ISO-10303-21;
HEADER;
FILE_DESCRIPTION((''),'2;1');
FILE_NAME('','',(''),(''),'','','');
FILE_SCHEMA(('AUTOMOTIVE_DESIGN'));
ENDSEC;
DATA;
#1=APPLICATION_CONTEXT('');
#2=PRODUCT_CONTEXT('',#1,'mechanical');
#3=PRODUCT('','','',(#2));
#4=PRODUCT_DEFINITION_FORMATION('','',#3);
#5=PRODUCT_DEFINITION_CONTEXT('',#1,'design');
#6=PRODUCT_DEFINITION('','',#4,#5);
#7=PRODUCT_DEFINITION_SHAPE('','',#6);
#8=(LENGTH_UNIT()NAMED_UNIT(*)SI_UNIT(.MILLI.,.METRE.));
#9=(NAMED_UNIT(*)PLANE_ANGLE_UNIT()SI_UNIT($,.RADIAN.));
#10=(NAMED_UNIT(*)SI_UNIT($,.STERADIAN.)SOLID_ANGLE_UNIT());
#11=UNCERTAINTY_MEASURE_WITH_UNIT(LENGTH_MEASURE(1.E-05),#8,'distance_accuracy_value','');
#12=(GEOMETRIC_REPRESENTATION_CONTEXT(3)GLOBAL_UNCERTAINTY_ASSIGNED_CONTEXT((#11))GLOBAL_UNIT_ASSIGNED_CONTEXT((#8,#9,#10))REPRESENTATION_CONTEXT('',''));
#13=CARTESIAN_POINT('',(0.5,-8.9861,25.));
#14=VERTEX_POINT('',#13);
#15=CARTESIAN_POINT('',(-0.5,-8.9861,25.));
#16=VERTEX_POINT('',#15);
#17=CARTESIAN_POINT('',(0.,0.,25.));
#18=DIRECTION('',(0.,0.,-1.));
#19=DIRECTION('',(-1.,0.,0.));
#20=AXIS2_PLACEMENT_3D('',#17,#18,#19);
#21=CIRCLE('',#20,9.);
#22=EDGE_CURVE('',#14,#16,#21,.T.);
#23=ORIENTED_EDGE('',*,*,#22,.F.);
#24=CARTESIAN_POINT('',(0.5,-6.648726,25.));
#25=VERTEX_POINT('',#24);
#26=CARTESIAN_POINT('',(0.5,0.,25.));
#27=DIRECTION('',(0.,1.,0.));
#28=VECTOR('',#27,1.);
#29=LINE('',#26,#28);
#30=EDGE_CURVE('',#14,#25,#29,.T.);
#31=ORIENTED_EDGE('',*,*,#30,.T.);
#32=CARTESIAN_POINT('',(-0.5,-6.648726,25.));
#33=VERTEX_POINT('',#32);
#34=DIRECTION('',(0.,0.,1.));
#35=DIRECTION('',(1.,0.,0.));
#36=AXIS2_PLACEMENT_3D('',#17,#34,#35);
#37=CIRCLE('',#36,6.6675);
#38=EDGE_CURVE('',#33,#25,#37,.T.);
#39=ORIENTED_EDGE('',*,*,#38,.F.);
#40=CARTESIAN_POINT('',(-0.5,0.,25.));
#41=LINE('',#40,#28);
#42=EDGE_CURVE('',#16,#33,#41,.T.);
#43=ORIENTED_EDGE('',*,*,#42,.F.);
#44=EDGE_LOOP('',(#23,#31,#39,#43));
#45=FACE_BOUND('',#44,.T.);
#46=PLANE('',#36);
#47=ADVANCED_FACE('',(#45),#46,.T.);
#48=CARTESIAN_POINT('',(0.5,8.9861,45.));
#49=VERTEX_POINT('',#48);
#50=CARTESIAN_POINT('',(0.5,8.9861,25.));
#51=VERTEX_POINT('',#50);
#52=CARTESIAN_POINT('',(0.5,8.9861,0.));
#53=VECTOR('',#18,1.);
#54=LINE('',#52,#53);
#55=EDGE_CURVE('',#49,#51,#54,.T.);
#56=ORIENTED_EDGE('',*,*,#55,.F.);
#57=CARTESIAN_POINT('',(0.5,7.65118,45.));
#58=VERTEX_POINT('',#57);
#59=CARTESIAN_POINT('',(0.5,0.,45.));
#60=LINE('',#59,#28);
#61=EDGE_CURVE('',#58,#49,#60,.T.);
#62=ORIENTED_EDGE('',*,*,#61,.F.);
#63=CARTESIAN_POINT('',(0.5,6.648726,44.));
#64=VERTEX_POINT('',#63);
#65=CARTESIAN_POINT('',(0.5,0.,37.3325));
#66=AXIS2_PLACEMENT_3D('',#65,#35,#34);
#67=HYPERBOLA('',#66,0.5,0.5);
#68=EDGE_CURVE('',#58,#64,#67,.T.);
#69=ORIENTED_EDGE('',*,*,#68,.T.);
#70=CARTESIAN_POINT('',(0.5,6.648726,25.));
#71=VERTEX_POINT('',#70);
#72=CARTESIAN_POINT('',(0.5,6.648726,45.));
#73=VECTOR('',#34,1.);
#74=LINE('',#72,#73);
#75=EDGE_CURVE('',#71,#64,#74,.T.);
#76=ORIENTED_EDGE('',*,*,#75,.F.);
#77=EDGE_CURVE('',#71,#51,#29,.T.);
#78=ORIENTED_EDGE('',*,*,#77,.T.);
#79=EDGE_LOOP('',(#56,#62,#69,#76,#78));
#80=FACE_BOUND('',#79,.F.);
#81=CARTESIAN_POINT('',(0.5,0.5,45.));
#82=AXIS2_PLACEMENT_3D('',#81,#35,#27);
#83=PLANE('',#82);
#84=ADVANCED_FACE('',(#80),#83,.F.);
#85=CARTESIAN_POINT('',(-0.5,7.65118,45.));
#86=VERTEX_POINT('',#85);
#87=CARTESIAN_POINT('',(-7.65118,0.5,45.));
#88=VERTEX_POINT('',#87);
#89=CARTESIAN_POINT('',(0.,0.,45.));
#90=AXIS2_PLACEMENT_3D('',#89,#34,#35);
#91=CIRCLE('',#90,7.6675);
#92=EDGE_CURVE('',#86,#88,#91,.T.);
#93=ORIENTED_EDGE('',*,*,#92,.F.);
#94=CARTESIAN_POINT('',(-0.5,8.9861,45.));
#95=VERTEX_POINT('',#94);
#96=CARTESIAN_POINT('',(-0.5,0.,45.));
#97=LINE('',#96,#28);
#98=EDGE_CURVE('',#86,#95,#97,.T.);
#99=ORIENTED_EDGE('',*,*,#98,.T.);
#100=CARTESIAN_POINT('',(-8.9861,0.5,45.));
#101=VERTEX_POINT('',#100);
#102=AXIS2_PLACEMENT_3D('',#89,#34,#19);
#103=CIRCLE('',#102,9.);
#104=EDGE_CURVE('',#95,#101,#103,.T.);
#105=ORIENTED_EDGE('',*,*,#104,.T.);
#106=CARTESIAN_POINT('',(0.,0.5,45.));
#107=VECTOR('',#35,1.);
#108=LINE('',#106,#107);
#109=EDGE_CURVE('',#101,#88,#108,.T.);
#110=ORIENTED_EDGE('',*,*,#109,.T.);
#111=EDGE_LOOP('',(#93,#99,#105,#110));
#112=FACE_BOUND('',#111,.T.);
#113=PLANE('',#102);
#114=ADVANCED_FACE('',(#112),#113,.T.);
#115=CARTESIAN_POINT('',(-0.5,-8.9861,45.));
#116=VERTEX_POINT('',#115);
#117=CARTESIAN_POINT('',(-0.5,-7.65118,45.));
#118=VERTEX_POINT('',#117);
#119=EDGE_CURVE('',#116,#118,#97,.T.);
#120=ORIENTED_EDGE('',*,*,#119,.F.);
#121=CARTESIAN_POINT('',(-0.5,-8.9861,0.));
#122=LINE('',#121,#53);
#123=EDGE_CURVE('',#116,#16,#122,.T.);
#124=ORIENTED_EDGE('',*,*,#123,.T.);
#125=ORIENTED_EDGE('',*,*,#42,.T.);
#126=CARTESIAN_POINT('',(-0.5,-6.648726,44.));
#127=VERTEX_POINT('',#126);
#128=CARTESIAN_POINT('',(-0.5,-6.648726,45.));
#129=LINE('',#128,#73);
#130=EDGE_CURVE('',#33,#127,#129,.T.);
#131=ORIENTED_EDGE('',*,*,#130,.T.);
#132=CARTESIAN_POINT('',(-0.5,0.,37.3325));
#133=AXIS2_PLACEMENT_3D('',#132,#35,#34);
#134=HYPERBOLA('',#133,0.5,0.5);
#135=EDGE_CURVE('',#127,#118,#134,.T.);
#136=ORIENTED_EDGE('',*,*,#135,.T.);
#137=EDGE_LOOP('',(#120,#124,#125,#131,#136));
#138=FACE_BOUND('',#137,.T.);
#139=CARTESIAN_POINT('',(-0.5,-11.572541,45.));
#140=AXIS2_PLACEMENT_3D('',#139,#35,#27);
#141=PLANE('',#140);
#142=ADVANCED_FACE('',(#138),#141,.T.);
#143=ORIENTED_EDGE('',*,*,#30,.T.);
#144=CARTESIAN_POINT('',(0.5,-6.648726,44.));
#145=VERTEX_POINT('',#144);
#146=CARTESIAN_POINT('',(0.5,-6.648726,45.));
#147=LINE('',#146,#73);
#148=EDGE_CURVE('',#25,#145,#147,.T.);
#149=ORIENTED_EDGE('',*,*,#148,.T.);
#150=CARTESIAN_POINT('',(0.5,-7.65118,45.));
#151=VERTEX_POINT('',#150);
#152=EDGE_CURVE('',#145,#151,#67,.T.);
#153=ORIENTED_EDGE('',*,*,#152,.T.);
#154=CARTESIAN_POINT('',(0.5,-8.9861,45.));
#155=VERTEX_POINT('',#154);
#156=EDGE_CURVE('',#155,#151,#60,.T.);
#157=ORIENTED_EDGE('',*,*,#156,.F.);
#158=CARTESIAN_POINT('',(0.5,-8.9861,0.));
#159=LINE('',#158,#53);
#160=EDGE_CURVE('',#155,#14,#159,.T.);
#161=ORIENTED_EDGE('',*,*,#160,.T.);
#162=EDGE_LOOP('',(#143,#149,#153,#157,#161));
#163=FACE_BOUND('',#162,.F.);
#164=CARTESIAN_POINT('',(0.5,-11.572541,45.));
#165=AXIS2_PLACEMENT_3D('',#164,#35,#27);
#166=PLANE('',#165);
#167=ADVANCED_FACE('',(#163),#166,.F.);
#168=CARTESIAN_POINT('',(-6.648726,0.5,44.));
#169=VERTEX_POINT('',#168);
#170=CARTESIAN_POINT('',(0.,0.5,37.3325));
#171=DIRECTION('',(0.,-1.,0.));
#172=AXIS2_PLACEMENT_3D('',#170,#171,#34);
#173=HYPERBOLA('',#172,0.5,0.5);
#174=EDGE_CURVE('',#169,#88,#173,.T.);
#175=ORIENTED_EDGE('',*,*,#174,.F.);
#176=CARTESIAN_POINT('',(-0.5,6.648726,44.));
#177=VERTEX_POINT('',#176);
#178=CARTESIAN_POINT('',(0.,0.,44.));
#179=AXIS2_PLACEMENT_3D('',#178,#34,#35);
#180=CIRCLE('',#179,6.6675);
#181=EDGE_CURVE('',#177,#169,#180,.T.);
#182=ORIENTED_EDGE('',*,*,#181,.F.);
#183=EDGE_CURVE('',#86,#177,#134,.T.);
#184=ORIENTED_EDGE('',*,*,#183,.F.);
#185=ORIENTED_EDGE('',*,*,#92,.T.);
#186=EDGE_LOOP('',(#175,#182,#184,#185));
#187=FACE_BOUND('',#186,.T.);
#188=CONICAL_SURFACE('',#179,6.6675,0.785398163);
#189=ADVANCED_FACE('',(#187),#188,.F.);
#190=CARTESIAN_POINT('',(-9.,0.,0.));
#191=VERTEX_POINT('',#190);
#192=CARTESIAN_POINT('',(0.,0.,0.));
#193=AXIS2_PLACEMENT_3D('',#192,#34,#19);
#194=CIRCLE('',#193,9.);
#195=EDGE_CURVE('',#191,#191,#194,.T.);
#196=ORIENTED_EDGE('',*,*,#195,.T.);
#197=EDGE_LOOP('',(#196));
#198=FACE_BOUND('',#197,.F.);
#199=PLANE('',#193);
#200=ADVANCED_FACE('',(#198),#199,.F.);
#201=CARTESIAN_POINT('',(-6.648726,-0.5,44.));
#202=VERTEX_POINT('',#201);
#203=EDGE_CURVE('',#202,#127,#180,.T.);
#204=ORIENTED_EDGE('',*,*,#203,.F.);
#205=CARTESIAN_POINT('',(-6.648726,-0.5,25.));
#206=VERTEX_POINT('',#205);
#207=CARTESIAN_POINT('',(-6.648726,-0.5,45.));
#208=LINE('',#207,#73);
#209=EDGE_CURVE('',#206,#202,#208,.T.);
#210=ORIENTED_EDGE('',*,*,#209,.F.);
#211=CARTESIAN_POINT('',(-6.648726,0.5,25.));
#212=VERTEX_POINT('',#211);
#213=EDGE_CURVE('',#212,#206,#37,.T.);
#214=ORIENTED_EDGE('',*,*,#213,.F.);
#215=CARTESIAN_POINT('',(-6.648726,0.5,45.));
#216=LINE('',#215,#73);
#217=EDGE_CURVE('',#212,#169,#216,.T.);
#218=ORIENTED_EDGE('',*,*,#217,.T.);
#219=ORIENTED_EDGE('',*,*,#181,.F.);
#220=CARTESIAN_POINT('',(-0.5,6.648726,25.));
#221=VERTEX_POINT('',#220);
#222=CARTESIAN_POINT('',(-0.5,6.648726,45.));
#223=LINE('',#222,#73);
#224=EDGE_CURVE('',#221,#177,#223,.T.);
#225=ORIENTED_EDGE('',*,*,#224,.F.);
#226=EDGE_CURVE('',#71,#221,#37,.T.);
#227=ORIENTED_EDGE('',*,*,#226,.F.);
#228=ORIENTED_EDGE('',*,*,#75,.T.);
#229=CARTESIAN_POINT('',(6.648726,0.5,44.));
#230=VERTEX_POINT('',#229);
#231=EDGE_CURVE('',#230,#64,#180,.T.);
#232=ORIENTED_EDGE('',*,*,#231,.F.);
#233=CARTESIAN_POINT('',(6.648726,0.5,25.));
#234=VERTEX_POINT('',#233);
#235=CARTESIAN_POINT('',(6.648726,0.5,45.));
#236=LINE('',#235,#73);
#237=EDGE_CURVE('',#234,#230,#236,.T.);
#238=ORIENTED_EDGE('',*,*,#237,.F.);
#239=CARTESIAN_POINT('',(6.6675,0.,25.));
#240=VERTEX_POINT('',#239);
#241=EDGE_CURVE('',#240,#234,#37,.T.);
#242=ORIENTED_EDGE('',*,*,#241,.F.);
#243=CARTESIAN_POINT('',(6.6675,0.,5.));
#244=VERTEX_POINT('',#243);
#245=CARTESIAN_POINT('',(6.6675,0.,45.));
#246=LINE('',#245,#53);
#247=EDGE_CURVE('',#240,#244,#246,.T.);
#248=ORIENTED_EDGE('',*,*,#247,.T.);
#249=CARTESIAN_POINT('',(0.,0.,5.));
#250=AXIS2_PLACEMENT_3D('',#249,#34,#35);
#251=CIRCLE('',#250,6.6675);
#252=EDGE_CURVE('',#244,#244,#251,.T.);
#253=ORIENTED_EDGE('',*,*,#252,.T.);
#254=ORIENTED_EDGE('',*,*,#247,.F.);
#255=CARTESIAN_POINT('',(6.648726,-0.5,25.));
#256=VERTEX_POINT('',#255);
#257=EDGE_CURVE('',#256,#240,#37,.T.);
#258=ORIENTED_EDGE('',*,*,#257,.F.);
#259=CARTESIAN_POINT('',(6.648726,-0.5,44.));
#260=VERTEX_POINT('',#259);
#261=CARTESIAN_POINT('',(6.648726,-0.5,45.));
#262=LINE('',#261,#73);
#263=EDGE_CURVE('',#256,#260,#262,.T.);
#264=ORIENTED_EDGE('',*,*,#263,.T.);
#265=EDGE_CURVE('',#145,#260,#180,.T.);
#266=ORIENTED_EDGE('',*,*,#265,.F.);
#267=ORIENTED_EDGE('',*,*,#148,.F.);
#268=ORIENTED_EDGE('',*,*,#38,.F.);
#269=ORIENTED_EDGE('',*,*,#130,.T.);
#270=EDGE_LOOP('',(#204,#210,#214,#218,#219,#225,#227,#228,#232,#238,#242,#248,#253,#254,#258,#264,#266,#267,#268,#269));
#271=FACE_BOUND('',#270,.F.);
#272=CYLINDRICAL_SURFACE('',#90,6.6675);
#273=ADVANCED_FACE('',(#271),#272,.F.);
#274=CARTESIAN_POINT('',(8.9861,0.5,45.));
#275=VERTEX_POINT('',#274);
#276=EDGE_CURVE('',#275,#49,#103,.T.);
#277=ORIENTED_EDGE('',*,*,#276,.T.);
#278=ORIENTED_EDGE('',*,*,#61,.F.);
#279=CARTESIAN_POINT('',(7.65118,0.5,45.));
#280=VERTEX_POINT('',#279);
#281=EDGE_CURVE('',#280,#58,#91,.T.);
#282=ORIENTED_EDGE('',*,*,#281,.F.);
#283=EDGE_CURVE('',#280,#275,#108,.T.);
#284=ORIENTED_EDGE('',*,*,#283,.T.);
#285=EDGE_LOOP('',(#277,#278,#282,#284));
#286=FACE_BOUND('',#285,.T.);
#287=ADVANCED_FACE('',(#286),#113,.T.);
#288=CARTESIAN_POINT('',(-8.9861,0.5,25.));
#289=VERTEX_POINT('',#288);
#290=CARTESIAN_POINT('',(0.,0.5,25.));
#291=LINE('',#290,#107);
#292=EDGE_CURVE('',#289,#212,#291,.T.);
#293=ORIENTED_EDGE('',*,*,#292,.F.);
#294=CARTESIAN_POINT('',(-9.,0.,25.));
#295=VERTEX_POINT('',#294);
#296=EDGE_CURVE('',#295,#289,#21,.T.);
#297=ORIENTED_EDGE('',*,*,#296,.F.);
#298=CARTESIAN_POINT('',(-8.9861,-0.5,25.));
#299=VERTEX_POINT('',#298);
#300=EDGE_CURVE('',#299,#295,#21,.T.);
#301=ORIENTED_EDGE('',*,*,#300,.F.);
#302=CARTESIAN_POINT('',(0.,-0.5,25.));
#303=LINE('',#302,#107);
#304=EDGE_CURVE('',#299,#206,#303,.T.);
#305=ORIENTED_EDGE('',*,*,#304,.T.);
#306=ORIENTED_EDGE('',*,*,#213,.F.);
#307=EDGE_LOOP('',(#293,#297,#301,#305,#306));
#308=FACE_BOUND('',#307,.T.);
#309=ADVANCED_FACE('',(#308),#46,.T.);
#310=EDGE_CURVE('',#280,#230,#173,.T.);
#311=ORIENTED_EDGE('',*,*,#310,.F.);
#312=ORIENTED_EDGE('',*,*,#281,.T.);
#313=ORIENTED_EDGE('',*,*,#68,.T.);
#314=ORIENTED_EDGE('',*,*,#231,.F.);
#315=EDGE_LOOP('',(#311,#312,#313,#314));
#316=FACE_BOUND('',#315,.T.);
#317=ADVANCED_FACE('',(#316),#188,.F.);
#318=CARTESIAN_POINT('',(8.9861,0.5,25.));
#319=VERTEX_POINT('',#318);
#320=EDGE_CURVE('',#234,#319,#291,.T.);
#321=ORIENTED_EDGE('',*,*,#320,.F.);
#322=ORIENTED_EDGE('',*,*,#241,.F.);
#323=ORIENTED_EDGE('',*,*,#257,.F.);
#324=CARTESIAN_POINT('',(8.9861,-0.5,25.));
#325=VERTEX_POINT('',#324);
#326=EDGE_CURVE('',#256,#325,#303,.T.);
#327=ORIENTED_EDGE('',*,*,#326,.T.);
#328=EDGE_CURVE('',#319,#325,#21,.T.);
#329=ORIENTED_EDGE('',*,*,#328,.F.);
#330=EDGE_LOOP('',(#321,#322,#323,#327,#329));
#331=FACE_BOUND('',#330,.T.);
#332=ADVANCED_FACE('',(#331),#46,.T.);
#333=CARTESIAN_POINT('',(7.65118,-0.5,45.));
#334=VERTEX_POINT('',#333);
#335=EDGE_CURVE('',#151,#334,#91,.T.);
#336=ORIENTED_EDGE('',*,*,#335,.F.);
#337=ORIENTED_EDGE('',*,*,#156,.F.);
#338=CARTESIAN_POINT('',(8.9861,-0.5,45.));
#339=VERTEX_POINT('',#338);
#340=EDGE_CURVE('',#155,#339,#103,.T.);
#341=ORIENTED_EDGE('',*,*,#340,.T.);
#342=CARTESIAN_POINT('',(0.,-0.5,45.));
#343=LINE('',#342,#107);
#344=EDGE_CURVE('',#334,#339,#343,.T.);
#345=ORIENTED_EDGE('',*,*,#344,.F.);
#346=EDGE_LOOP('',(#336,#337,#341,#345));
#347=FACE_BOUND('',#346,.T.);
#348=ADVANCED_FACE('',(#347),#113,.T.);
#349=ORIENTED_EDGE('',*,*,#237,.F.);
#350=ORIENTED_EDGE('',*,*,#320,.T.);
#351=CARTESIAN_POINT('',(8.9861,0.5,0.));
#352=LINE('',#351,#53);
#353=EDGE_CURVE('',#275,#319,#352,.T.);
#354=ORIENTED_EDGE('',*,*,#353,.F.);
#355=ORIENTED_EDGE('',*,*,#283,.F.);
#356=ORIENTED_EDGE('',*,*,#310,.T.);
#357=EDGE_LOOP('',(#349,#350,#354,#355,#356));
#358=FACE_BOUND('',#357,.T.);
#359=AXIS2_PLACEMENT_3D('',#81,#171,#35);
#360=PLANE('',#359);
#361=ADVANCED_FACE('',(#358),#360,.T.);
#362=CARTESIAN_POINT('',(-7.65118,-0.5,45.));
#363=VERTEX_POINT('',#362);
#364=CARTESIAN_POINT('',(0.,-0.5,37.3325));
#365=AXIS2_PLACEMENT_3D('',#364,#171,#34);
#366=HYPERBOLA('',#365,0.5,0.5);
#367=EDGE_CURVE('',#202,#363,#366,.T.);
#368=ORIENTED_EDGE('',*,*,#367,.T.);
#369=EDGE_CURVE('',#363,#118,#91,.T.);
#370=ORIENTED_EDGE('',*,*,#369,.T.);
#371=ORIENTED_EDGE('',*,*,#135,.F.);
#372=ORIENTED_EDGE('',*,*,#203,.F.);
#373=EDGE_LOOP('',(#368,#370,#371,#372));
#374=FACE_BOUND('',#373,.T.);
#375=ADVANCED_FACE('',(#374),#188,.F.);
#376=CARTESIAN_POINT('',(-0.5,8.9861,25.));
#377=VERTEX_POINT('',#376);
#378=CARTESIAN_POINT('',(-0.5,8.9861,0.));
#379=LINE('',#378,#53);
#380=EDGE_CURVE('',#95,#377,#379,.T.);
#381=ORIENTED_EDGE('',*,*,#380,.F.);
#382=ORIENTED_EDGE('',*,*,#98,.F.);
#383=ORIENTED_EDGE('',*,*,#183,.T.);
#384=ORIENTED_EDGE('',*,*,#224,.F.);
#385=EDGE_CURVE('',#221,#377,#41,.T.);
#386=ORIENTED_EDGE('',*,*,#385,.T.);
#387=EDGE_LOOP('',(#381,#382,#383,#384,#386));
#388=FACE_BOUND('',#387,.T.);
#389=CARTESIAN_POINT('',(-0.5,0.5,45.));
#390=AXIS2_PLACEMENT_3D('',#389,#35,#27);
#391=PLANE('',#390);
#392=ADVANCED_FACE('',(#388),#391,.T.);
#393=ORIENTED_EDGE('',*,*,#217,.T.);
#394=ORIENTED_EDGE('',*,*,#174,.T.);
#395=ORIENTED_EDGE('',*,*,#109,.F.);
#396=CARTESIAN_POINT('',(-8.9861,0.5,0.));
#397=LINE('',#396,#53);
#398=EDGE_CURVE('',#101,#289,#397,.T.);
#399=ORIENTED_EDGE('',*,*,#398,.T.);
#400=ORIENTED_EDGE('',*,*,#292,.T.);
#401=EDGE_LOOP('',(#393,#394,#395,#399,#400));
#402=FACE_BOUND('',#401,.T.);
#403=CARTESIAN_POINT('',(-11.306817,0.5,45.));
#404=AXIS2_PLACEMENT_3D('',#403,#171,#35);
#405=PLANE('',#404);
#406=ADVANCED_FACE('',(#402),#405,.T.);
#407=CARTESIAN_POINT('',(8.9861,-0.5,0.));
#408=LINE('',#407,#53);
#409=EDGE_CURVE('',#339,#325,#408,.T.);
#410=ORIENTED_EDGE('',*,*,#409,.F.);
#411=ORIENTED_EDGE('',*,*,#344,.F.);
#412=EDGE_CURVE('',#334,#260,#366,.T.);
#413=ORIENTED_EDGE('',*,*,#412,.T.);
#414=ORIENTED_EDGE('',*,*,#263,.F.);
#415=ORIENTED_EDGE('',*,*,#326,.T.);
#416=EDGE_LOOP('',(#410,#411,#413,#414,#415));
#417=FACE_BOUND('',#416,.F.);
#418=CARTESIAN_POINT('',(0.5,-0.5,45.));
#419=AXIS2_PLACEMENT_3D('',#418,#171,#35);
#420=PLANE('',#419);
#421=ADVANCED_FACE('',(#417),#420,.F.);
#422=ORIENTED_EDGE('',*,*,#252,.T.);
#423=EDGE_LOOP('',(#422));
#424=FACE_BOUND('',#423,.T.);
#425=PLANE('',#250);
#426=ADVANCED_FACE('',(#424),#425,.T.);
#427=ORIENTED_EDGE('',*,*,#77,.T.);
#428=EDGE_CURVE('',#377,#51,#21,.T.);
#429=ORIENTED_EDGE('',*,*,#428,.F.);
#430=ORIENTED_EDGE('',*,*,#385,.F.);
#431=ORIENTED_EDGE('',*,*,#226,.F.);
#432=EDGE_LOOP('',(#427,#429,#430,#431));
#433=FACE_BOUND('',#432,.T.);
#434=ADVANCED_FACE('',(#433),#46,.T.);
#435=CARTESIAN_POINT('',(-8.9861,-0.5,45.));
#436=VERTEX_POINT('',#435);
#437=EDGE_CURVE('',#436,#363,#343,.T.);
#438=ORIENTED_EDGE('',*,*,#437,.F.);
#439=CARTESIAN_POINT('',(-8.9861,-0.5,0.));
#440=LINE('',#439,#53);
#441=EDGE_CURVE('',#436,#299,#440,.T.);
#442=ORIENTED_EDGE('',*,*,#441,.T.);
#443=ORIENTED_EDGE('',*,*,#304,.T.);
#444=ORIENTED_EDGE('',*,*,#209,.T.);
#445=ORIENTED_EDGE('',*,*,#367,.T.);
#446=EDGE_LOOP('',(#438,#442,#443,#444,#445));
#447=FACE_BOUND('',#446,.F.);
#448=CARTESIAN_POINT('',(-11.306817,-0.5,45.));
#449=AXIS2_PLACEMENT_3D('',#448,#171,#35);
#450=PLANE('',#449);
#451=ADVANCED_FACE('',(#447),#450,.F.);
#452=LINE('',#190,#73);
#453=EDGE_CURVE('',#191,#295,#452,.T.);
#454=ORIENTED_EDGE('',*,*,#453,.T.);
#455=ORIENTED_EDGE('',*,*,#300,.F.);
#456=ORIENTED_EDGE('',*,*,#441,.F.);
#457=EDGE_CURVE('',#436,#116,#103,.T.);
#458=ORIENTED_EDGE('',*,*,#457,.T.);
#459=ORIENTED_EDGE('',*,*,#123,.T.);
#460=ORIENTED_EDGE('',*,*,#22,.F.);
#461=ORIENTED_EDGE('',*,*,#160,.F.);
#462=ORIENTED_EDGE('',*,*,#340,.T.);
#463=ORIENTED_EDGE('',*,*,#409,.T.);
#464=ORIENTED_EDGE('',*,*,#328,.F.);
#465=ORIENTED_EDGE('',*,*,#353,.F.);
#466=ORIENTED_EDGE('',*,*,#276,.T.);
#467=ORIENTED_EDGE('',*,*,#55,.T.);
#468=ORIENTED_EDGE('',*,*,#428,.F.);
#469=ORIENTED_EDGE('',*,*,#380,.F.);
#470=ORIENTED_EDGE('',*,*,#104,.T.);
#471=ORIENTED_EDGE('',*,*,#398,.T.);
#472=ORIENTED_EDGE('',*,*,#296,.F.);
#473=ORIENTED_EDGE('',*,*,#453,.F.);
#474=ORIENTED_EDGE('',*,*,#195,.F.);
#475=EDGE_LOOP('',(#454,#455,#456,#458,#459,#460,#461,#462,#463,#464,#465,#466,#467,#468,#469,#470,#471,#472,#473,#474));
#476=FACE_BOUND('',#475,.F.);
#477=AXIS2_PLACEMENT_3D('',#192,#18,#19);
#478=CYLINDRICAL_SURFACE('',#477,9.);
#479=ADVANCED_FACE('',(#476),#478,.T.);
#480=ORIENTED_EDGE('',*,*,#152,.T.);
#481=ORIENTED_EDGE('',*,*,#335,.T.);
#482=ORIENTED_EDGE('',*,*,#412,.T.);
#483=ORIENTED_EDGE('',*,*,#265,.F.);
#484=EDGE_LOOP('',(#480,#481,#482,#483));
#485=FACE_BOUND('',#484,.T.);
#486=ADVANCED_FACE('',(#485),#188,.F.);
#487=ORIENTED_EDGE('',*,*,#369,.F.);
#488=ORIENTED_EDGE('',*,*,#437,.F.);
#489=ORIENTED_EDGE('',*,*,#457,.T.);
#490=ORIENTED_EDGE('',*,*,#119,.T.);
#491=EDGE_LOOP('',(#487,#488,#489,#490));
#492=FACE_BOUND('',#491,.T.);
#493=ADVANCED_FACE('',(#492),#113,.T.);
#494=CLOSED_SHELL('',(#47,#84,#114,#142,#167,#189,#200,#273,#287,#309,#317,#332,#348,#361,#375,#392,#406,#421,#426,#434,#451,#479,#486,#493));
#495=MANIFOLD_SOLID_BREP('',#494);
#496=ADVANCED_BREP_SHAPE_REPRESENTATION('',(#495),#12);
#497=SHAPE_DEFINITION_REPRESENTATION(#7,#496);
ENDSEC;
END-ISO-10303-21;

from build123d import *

# Parameters (mm, degrees)
SKETCH1_R           = 9
BOSS_EXTRUDE1_DEPTH = 45
SKETCH2_R           = 6.6675
CUT_EXTRUDE1_DEPTH  = 40
CHAMFER1_SIZE       = 1
SKETCH3_W           = 22.613634382
SKETCH3_H           = 1
SKETCH3_W_2         = 1
SKETCH3_H_2         = 23.145081594
CUT_EXTRUDE2_DEPTH  = 20


with BuildPart() as part:
    # Sketch1 → Boss-Extrude1 (new body)
    with BuildSketch(Plane.XY):
        with Locations(Location((0, 0, 0), (0, 0, 180))):
            Circle(SKETCH1_R)
    extrude(amount=BOSS_EXTRUDE1_DEPTH)

    # Sketch2 → Cut-Extrude1 (cut)
    with BuildSketch(Plane.XY.offset(45)):
        Circle(SKETCH2_R)
    extrude(amount=-CUT_EXTRUDE1_DEPTH, mode=Mode.SUBTRACT)

    # Chamfer1
    chamfer1_edges = [part.edges().sort_by_distance(p)[0] for p in [
        (-6.6675, 0, 45),
    ]]
    chamfer(chamfer1_edges, length=CHAMFER1_SIZE)

    # Sketch3 → Cut-Extrude2 (cut)
    with BuildSketch(Plane.XY.offset(45)):
        Rectangle(SKETCH3_W, SKETCH3_H)
        Rectangle(SKETCH3_W_2, SKETCH3_H_2)
    extrude(amount=-CUT_EXTRUDE2_DEPTH, mode=Mode.SUBTRACT)


solid = part.part
